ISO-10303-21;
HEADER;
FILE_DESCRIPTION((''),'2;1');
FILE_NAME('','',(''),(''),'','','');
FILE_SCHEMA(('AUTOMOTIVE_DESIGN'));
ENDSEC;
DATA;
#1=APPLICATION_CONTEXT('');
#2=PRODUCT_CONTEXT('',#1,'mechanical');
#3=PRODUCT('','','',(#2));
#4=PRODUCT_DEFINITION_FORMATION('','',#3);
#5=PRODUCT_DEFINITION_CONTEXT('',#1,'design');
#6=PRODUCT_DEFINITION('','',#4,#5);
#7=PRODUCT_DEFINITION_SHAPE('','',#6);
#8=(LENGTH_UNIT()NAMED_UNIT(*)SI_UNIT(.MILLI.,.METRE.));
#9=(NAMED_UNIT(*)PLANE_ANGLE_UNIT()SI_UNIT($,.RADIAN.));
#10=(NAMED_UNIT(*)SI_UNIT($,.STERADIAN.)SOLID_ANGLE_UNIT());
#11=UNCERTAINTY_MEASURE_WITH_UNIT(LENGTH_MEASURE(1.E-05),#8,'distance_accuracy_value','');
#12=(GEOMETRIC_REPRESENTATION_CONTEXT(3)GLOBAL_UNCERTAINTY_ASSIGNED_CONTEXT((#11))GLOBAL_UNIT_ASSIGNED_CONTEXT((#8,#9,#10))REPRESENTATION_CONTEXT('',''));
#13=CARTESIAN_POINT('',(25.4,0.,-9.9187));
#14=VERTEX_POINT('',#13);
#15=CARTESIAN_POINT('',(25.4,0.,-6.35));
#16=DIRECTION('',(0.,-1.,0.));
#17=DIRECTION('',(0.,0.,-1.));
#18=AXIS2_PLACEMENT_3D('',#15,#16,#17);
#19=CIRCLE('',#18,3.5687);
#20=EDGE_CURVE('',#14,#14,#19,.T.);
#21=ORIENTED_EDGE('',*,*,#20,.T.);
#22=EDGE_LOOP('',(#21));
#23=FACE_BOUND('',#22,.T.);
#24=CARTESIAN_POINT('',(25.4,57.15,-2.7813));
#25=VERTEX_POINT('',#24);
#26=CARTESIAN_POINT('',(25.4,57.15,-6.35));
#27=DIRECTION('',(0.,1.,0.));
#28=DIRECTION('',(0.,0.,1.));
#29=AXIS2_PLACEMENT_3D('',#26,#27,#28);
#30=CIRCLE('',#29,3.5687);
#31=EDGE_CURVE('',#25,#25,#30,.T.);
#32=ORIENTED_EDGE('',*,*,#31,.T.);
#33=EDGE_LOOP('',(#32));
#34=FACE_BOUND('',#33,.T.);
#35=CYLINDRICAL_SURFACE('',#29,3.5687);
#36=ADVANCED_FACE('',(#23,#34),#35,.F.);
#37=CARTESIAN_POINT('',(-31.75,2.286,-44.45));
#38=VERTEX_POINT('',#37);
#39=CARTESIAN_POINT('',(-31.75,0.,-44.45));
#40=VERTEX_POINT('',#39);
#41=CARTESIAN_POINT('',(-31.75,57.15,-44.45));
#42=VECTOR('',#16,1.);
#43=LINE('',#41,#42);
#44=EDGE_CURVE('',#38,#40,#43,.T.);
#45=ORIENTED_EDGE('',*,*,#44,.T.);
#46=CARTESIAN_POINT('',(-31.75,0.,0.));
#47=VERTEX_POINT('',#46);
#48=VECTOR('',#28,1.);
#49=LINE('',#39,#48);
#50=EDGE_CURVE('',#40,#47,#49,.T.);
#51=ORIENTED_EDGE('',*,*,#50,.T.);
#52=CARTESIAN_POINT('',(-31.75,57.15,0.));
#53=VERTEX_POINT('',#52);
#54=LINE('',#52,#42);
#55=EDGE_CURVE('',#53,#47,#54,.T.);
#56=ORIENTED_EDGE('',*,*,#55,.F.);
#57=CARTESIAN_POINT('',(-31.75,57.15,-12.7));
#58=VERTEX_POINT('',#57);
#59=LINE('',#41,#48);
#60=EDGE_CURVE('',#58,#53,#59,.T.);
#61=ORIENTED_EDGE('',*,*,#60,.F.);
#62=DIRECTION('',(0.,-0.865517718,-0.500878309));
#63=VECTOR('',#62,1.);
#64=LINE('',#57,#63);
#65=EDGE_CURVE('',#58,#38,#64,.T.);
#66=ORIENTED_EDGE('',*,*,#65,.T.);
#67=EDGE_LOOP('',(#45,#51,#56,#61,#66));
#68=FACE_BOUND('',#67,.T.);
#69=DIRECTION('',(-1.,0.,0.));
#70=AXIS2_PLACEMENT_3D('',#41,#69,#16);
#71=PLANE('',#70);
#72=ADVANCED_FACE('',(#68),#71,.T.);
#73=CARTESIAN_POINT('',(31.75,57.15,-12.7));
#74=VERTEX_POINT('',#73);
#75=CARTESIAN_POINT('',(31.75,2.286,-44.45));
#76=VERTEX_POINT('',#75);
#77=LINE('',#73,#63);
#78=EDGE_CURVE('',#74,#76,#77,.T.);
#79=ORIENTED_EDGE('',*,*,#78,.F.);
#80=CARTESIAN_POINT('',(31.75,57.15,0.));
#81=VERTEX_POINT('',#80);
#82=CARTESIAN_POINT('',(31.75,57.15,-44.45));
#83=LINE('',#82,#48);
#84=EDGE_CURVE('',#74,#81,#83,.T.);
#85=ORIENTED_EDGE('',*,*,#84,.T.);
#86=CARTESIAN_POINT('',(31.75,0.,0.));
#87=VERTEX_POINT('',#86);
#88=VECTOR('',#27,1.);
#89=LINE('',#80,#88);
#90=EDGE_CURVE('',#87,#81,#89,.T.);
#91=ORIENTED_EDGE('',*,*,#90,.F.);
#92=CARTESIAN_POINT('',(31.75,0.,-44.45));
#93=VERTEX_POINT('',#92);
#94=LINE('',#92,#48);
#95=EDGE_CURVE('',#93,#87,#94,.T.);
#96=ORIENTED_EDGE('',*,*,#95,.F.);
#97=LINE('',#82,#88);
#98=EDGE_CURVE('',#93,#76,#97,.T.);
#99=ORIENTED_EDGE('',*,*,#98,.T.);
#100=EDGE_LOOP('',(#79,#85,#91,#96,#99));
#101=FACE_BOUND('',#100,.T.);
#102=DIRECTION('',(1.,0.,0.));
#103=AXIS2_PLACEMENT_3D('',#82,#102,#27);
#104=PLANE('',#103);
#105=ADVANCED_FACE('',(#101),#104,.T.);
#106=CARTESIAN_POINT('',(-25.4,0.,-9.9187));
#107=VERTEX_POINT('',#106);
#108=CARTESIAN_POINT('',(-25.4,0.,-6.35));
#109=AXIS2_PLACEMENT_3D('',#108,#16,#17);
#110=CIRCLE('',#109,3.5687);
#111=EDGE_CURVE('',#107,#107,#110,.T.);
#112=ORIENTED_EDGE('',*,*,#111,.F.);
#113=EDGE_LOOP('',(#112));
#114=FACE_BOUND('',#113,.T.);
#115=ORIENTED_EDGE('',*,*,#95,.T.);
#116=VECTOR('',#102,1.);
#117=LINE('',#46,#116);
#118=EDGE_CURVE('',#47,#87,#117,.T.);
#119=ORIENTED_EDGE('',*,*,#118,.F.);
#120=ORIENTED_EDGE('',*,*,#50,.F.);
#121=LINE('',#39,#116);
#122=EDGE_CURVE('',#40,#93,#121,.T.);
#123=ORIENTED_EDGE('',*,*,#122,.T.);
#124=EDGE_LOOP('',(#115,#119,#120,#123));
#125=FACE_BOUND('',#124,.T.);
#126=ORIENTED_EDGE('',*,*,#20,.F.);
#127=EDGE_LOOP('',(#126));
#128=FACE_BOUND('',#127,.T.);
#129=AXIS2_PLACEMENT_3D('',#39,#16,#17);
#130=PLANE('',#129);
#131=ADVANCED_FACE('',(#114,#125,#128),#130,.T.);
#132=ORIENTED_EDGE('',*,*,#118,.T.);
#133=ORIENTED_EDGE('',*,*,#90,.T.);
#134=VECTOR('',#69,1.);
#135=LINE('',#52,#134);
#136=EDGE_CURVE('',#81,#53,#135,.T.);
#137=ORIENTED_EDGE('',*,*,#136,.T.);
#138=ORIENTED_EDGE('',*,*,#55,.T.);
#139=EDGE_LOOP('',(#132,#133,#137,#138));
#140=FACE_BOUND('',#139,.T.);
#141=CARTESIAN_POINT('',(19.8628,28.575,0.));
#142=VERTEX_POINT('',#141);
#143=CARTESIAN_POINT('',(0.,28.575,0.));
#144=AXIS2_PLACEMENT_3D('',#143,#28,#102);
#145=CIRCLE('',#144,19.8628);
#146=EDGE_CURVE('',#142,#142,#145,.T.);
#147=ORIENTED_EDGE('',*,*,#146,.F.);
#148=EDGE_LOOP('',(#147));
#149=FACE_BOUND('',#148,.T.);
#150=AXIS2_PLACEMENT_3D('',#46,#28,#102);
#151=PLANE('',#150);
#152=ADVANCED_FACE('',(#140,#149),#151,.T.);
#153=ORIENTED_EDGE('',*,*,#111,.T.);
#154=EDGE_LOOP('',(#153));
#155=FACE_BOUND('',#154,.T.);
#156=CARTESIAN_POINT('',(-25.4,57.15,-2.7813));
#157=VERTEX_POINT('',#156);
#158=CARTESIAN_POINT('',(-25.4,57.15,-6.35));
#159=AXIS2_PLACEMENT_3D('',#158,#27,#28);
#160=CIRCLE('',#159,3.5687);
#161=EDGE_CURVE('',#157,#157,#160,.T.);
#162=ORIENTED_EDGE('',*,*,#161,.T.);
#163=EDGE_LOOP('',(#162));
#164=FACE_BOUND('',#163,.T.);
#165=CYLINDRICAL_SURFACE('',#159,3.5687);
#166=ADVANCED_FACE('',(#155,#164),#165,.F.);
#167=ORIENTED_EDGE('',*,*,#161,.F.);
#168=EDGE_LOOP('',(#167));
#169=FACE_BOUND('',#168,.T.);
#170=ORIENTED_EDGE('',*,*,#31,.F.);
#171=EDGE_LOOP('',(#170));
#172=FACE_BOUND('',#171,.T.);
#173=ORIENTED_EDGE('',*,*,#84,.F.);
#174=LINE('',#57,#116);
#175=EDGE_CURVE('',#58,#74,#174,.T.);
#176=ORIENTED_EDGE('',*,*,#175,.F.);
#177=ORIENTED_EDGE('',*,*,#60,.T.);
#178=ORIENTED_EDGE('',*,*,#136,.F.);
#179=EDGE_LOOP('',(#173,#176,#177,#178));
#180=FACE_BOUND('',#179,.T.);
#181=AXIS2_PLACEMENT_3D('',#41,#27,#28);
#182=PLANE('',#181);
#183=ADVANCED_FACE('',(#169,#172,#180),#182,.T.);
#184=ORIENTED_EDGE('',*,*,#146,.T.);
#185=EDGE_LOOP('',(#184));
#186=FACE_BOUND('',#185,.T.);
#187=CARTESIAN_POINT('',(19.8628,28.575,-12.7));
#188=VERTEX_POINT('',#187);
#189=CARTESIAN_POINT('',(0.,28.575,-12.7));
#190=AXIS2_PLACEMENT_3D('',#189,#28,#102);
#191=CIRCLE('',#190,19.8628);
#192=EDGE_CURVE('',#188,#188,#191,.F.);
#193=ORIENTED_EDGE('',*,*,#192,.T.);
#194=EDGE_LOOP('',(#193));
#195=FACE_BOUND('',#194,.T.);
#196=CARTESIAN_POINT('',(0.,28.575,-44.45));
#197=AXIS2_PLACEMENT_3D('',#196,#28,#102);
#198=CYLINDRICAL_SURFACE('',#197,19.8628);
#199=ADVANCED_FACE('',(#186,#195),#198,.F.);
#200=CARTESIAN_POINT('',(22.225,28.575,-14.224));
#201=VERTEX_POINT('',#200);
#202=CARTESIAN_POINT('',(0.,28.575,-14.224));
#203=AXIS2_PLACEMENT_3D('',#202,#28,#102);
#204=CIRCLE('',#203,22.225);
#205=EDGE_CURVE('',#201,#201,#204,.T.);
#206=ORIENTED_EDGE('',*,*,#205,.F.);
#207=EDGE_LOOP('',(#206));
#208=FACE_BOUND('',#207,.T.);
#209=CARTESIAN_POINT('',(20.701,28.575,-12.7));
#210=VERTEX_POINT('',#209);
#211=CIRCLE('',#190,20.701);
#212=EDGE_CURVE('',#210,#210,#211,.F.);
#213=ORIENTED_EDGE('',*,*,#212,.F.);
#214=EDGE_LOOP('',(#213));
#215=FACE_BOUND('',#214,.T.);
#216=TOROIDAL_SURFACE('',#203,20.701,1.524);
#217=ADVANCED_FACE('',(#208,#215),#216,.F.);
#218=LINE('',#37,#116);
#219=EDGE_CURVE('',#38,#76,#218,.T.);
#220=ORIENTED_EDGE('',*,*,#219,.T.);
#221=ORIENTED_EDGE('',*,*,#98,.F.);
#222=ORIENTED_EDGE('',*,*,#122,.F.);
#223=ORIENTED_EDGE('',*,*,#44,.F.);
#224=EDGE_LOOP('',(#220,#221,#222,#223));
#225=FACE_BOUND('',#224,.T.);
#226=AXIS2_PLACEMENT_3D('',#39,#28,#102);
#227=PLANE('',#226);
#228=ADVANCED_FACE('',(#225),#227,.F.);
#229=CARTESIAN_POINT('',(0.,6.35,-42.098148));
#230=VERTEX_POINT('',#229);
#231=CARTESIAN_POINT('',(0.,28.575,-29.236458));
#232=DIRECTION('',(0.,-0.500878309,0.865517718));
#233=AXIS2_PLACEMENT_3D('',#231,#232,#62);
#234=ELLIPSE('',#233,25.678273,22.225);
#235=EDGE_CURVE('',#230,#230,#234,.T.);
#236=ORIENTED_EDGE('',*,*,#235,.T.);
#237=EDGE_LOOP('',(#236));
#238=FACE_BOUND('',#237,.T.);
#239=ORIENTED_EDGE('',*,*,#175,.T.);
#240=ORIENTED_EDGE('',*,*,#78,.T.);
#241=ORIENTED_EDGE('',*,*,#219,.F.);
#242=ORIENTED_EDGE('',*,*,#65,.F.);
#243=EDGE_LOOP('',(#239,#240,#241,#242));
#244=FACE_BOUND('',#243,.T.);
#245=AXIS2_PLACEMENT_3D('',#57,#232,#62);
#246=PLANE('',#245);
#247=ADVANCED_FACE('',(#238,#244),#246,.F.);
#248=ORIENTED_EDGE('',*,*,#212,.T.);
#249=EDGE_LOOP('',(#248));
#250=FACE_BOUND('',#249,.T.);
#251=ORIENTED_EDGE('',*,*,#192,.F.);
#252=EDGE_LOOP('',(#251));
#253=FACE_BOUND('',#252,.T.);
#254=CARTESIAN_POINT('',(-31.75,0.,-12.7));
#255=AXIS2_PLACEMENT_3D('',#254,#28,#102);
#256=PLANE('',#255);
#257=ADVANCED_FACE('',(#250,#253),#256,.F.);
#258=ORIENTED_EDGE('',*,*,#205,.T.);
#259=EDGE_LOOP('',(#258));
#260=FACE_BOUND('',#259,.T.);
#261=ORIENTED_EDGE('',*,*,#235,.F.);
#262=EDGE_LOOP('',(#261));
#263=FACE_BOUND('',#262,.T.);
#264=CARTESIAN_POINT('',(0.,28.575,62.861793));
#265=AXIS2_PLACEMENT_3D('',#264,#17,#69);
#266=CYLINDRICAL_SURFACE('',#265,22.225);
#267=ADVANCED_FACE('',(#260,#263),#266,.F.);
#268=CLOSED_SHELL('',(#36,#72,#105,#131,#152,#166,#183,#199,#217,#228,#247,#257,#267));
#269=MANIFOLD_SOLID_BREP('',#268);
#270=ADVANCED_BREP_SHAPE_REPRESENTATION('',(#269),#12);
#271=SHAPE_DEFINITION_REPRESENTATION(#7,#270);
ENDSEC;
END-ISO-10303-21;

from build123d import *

# Parameters (mm, degrees)
SKETCH1_W          = 63.5
SKETCH1_H          = 57.15
SKETCH1_R          = 19.8628
EXTRUDE1_DEPTH     = 44.45
CUT_EXTRUDE1_DEPTH = 64.5
SKETCH3_R          = 22.225
CUT_EXTRUDE2_DEPTH = 31.75
FILLET1_R          = 1.524
HOLE1_D            = 7.1374
HOLE1_DEPTH        = 57.15


with BuildPart() as part:
    # Sketch1 → Extrude1 (new body)
    with BuildSketch(Plane.XY):
        with Locations((0, 28.575)):
            Rectangle(SKETCH1_W, SKETCH1_H)
        with Locations((0, 28.575)):
            Circle(SKETCH1_R, mode=Mode.SUBTRACT)
    extrude(amount=-EXTRUDE1_DEPTH)

    # Sketch2 → Cut-Extrude1 (cut, through all)
    with BuildSketch(Plane(origin=(31.75, 0, 0), x_dir=(0, 0, -1), z_dir=(1, 0, 0))):
        Polygon((12.7, 57.15), (44.45, 2.286), (44.45, 57.15), align=None)
    extrude(amount=-CUT_EXTRUDE1_DEPTH, mode=Mode.SUBTRACT)

    # Sketch3 → Cut-Extrude2 (cut)
    with BuildSketch(Plane(origin=(0, 0, -44.45), x_dir=(-1, 0, 0), z_dir=(0, 0, -1))):
        with Locations(Location((0, 28.575, 0), (0, 0, 270))):  # turned: the seam where the file's is
            Circle(SKETCH3_R)
    extrude(amount=-CUT_EXTRUDE2_DEPTH, mode=Mode.SUBTRACT)

    # Fillet1
    fillet1_edges = [part.edges().sort_by_distance(p)[0] for p in [
        (0, 50.8, -12.7),
    ]]
    fillet(fillet1_edges, radius=FILLET1_R)

    # Hole1
    with Locations(Plane(origin=(0, 57.15, 0), x_dir=(-1, 0, 0), z_dir=(0, 1, 0))):
        with Locations((25.4, -6.35), (-25.4, -6.35)):
            Hole(HOLE1_D / 2, depth=HOLE1_DEPTH)


solid = part.part
